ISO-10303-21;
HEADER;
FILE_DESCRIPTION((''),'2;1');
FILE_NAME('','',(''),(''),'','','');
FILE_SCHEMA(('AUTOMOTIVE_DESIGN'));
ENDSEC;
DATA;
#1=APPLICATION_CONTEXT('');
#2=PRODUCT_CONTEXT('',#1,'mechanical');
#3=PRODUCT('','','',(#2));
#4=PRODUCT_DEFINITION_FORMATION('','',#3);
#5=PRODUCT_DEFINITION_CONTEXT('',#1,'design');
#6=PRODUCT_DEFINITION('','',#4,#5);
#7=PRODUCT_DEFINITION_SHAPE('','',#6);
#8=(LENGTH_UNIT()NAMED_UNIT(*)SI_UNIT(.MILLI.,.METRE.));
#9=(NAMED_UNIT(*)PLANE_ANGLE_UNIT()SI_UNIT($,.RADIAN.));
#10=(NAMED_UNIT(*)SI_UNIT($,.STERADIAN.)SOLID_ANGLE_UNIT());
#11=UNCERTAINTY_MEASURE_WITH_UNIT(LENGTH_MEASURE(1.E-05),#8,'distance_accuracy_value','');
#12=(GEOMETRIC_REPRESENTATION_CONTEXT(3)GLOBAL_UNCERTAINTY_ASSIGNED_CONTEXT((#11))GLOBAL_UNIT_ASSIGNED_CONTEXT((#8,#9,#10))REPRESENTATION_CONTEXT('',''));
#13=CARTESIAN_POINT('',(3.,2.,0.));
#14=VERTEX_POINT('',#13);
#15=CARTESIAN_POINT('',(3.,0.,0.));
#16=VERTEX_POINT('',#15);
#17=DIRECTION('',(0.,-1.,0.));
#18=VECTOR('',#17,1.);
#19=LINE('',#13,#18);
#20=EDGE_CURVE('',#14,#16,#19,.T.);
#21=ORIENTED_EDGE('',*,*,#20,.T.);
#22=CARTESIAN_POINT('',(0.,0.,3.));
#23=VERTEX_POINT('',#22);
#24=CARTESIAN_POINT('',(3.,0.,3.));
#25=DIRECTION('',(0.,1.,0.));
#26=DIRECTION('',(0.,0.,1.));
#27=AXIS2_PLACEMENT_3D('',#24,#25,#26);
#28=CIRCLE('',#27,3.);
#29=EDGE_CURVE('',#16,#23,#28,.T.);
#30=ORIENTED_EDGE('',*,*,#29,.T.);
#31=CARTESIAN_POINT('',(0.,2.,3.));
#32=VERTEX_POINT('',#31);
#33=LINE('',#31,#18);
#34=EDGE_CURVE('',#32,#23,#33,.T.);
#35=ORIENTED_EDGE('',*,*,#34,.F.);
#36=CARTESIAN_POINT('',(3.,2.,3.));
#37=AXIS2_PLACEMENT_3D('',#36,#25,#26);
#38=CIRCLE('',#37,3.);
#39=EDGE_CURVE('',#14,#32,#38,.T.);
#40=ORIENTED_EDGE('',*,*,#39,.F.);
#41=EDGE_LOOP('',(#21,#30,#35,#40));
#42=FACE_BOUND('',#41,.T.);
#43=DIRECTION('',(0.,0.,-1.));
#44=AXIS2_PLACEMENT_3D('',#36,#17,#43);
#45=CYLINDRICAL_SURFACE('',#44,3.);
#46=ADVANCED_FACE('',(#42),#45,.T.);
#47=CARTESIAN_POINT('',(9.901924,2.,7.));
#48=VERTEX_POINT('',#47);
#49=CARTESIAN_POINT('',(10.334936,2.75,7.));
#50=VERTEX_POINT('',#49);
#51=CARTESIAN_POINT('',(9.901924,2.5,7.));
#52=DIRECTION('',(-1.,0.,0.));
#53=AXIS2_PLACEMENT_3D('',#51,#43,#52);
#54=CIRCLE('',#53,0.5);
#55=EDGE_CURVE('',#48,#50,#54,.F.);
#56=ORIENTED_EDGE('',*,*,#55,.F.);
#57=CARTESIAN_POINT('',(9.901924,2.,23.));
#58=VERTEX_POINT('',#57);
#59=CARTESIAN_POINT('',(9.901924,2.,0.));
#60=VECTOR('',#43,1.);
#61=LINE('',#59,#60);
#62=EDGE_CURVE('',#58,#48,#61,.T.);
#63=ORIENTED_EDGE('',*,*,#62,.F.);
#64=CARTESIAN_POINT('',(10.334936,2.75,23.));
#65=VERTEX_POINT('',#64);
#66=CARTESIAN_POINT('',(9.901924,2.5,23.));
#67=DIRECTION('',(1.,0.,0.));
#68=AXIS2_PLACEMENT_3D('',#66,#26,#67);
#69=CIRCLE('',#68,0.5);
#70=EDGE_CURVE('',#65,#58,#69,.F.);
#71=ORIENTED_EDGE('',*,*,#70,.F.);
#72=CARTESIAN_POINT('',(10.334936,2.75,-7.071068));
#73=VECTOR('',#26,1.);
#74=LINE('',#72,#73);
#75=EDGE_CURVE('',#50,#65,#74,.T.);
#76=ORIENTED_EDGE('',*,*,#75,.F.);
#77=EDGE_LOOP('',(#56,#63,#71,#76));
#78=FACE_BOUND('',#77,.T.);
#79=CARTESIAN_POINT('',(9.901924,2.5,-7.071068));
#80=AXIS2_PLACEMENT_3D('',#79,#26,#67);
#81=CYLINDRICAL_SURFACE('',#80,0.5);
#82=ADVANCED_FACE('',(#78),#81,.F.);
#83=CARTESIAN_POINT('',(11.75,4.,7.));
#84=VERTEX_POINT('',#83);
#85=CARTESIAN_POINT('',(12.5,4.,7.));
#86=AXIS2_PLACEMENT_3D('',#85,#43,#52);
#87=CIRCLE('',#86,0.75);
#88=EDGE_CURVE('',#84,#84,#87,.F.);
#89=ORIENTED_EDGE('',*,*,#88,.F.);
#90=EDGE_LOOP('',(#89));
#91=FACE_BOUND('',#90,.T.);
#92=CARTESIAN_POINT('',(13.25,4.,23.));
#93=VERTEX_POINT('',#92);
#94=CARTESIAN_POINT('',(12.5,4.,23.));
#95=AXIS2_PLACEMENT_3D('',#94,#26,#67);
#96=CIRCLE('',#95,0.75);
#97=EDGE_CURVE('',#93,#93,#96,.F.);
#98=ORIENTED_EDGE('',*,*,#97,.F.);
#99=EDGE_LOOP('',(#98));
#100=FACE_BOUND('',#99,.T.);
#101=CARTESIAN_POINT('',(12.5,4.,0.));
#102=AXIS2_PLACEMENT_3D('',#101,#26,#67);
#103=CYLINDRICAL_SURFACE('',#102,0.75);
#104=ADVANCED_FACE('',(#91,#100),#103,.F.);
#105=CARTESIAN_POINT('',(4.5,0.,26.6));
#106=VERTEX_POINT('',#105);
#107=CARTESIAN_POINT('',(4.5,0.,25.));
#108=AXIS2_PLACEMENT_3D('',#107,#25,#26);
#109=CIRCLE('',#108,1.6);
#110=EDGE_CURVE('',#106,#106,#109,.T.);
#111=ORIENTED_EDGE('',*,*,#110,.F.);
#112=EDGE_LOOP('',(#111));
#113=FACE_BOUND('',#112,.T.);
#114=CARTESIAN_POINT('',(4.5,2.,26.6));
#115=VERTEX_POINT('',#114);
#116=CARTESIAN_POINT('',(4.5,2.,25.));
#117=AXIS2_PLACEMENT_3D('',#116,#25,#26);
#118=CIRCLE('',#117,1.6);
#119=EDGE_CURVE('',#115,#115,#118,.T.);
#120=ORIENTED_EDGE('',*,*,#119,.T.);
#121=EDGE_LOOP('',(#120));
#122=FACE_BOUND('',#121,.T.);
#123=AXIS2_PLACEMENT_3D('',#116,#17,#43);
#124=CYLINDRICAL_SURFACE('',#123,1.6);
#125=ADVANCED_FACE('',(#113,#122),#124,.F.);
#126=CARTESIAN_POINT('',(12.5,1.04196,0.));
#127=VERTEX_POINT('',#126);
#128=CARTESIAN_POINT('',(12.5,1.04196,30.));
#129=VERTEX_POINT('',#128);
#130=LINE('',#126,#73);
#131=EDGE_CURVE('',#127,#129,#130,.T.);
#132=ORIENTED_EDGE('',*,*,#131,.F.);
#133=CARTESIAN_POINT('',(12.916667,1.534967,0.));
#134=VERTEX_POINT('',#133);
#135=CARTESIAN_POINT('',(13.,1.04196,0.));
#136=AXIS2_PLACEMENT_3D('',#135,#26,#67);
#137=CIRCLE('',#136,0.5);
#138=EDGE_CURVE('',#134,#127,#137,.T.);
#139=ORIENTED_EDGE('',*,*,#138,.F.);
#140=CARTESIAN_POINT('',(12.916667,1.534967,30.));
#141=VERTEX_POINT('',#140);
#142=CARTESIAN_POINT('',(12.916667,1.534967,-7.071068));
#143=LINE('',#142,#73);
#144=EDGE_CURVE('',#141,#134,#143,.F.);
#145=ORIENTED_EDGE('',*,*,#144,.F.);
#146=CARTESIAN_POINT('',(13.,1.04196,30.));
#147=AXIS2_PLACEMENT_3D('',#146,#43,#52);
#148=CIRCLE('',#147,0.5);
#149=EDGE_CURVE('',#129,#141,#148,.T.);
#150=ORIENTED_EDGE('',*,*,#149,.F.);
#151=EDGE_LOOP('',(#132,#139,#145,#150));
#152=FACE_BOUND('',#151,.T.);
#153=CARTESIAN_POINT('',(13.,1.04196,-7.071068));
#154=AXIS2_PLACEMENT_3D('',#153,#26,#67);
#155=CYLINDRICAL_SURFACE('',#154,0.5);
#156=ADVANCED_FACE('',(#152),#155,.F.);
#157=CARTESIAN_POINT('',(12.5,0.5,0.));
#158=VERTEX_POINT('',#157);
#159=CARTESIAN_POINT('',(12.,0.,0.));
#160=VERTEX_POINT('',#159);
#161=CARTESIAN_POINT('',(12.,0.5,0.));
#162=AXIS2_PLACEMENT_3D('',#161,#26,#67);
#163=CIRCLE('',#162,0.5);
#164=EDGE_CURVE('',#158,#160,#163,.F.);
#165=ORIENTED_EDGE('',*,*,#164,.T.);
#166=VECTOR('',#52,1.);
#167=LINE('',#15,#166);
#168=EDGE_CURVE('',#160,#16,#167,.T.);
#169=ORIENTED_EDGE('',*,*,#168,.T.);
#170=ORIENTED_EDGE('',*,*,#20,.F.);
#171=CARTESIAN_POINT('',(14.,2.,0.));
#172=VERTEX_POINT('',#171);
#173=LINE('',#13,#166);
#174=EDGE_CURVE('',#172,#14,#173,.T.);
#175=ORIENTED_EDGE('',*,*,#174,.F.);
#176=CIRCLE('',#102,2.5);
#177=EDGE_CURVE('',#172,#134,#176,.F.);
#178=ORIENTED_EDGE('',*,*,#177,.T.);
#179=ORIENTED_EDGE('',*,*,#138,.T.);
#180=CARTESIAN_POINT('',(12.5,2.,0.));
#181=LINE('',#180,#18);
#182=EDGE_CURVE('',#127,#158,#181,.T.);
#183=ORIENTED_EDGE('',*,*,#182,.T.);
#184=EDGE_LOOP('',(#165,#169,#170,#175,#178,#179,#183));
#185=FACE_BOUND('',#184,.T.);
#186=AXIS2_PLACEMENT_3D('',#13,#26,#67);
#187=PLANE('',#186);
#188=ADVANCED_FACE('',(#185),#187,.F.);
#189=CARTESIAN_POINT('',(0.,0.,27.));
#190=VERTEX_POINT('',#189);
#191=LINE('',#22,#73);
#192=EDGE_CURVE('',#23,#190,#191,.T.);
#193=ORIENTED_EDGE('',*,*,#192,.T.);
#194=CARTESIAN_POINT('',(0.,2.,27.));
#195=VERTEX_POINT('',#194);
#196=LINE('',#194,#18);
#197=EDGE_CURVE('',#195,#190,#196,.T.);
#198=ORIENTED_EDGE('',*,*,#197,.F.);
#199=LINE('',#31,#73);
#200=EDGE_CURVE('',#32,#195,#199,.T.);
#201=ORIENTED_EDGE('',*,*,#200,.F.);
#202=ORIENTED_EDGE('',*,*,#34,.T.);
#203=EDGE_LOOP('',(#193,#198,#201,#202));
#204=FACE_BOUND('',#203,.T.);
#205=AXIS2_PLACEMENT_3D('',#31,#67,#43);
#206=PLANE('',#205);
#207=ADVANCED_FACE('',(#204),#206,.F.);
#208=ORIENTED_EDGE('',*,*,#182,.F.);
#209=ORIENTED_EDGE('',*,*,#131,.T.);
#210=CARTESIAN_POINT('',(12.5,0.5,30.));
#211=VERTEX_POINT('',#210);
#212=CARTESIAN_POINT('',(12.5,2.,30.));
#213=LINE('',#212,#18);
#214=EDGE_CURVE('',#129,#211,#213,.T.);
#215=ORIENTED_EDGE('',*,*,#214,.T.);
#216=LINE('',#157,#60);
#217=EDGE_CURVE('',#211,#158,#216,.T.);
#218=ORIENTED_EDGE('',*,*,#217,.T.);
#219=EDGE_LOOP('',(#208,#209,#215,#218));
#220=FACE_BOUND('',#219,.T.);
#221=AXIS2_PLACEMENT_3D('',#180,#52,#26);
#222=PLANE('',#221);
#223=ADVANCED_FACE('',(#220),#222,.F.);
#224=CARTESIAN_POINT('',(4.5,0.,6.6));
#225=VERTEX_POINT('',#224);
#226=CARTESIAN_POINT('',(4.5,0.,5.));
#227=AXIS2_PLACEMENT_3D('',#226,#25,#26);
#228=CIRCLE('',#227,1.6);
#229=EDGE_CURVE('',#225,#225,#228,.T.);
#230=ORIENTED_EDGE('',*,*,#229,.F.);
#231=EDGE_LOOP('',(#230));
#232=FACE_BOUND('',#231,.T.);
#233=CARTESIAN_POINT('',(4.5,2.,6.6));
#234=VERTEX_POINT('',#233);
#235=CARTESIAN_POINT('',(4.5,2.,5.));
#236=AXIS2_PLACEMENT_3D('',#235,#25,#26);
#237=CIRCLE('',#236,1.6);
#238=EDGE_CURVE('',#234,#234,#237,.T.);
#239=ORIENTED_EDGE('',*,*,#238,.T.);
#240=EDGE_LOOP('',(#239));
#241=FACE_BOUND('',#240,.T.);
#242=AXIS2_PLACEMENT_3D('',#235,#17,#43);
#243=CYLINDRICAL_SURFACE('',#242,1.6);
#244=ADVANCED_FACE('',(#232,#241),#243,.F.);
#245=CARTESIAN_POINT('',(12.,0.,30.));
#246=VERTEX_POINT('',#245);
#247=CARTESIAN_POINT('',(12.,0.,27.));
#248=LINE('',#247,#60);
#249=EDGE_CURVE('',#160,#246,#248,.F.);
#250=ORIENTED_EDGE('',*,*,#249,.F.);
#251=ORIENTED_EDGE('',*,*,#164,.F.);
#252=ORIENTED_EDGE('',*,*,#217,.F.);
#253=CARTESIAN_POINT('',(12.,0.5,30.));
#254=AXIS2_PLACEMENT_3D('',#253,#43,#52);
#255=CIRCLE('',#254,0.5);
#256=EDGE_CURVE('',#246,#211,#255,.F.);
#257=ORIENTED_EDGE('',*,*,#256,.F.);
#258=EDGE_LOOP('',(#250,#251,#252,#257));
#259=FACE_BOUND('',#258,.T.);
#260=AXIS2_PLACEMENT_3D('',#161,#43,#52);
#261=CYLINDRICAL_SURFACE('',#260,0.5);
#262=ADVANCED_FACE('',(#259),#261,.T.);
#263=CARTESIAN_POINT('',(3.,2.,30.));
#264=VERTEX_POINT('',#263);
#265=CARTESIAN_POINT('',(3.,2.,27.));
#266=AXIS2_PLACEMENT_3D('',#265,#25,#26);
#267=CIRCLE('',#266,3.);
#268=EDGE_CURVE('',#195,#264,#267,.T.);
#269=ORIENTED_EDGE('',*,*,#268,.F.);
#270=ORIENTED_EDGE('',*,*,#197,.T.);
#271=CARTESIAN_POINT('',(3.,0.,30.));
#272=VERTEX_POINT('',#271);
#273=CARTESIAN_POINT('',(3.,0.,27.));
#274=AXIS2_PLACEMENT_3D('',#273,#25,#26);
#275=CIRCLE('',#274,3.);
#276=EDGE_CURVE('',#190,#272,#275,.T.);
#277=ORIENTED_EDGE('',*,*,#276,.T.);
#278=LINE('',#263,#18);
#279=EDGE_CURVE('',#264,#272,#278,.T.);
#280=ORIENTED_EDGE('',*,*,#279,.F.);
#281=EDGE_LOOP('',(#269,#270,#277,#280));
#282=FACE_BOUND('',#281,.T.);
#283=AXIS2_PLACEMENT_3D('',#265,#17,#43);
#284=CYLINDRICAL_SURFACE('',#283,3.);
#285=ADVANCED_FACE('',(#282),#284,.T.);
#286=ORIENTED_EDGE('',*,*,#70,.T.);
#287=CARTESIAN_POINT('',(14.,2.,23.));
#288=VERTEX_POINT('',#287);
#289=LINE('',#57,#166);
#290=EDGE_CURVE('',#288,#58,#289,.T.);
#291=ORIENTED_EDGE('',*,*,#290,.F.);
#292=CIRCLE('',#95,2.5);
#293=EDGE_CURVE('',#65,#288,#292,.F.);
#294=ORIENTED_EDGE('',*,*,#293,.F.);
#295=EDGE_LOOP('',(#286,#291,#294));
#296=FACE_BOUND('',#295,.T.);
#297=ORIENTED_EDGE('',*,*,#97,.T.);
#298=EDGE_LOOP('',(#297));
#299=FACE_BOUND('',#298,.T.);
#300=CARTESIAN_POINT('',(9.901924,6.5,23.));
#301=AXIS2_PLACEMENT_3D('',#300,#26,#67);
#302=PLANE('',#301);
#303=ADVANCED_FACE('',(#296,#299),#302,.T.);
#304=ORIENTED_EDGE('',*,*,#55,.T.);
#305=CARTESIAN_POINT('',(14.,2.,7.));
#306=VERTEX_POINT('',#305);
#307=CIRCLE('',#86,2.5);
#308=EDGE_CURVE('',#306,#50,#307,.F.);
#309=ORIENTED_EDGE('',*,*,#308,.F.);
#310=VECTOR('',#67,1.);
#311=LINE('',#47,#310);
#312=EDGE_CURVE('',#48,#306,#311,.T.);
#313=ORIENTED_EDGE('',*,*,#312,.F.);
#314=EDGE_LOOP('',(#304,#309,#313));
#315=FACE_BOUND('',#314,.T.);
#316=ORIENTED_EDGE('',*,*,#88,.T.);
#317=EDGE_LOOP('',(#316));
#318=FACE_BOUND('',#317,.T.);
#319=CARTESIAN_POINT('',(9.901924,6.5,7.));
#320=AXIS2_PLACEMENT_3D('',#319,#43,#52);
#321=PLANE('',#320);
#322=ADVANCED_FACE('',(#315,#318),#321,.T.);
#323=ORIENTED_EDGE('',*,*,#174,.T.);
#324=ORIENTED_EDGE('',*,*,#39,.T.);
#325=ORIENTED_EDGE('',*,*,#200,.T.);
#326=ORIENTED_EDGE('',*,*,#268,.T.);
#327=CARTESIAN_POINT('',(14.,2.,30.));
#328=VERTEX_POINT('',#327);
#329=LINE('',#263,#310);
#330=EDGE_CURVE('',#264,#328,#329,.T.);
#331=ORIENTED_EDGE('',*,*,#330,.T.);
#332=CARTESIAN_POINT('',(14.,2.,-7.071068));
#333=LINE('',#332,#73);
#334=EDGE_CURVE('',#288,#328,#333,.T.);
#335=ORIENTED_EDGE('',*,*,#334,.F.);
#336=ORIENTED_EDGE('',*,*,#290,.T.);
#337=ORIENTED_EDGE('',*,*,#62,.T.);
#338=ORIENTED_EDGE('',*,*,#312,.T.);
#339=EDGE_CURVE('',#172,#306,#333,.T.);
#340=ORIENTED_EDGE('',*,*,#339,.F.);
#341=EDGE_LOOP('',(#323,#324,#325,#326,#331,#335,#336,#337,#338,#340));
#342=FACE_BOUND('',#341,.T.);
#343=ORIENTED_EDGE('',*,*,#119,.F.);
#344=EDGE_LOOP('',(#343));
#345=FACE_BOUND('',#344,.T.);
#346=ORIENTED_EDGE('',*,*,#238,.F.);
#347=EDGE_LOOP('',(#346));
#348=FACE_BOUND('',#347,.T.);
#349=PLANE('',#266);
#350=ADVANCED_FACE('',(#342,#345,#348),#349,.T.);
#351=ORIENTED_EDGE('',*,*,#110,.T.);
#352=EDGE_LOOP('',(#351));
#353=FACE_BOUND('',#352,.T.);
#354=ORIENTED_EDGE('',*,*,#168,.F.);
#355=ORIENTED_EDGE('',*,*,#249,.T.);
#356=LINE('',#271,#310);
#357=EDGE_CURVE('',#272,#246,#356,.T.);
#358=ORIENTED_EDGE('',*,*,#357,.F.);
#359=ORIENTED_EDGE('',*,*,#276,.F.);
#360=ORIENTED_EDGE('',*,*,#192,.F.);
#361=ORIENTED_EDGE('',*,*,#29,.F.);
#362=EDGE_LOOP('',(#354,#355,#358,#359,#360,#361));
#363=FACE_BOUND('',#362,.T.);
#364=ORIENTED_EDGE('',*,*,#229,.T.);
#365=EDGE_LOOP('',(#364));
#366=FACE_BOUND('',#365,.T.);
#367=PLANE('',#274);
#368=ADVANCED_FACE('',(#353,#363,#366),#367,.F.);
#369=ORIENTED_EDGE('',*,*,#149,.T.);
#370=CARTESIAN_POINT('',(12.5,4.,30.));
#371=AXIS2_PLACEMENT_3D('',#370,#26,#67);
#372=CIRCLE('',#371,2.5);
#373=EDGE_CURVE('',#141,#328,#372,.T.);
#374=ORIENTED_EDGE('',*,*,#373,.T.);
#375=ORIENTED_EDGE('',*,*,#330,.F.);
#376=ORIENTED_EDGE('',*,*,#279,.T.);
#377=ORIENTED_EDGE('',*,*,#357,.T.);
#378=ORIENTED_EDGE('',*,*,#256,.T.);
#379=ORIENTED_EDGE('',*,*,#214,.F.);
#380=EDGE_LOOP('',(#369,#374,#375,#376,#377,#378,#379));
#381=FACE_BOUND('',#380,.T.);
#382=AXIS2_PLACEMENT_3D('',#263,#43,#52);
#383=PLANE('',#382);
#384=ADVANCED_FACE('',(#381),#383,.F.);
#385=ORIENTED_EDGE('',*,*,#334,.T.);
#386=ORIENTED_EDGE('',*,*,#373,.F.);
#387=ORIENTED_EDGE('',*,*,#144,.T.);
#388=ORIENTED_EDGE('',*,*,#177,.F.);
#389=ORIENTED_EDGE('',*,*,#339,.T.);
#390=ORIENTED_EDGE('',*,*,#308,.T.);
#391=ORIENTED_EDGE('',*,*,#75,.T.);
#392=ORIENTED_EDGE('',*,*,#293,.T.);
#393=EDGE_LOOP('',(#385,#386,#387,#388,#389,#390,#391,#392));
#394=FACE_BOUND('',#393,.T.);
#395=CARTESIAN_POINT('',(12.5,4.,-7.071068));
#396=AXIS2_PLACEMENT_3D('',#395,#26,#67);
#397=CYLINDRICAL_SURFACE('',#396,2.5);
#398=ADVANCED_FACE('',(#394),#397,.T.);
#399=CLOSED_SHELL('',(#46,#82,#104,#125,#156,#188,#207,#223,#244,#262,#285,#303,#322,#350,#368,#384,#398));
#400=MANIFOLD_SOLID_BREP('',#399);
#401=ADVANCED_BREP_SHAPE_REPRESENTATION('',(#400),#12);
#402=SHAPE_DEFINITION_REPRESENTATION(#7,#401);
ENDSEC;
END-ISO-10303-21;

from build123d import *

# Parameters (mm, degrees)
SKETCH_1_R          = 1.6
EXTRUDE_1_DEPTH     = 2
SKETCH_2_R          = 2.5
EXTRUDE_2_DEPTH     = 30
FILLET_1_R          = 0.5
SKETCH_3_R          = 0.75
CUT_EXTRUDE_1_DEPTH = 35.165040612
SKETCH_4_W          = 5.098076211
SKETCH_4_H          = 7
CUT_EXTRUDE_2_DEPTH = 34.841542518


with BuildPart() as part:
    # 草图1 → 凸台-拉伸1 (new body)
    with BuildSketch(Plane(origin=(0, 0, 0), x_dir=(1, 0, 0), z_dir=(0, 1, 0))):
        with BuildLine():
            Line((3, 0), (12.5, 0))
            Line((12.5, 0), (12.5, -30))
            Line((12.5, -30), (3, -30))
            ThreePointArc((3, -30), (0.878679656, -29.121320344), (0, -27))
            Line((0, -27), (0, -3))
            ThreePointArc((0, -3), (0.878679656, -0.878679656), (3, 0))
        make_face()
        with Locations(Location((4.5, -5, 0), (0, 0, 270))):
            Circle(SKETCH_1_R, mode=Mode.SUBTRACT)
        with Locations(Location((4.5, -25, 0), (0, 0, 270))):
            Circle(SKETCH_1_R, mode=Mode.SUBTRACT)
    extrude(amount=EXTRUDE_1_DEPTH)

    # 草图2 → 凸台-拉伸2 (add)
    with BuildSketch(Plane.XY.offset(30)):
        with Locations((12.5, 4)):
            Circle(SKETCH_2_R)
    extrude(amount=-EXTRUDE_2_DEPTH)

    # 圆角1
    fillet_1_edges = [part.edges().sort_by_distance(p)[0] for p in [
        (12.5, 1.5, 15),
        (11, 2, 15),
        (12.5, 0, 15),
    ]]
    fillet(fillet_1_edges, radius=FILLET_1_R)

    # 草图3 → 切除-拉伸1 (cut, through all)
    with BuildSketch(Plane.XY.offset(30)):
        with Locations((12.5, 4)):
            Circle(SKETCH_3_R)
    extrude(amount=-CUT_EXTRUDE_1_DEPTH, mode=Mode.SUBTRACT)

    # 草图4 → 切除-拉伸2 (cut, through all)
    with BuildSketch(Plane(origin=(0, 2, 0), x_dir=(1, 0, 0), z_dir=(0, 1, 0))):
        with Locations((12.450961895, -3.5)):
            Rectangle(SKETCH_4_W, SKETCH_4_H)
        with Locations((12.450961895, -26.5)):
            Rectangle(SKETCH_4_W, SKETCH_4_H)
    extrude(amount=CUT_EXTRUDE_2_DEPTH, mode=Mode.SUBTRACT)


solid = part.part
